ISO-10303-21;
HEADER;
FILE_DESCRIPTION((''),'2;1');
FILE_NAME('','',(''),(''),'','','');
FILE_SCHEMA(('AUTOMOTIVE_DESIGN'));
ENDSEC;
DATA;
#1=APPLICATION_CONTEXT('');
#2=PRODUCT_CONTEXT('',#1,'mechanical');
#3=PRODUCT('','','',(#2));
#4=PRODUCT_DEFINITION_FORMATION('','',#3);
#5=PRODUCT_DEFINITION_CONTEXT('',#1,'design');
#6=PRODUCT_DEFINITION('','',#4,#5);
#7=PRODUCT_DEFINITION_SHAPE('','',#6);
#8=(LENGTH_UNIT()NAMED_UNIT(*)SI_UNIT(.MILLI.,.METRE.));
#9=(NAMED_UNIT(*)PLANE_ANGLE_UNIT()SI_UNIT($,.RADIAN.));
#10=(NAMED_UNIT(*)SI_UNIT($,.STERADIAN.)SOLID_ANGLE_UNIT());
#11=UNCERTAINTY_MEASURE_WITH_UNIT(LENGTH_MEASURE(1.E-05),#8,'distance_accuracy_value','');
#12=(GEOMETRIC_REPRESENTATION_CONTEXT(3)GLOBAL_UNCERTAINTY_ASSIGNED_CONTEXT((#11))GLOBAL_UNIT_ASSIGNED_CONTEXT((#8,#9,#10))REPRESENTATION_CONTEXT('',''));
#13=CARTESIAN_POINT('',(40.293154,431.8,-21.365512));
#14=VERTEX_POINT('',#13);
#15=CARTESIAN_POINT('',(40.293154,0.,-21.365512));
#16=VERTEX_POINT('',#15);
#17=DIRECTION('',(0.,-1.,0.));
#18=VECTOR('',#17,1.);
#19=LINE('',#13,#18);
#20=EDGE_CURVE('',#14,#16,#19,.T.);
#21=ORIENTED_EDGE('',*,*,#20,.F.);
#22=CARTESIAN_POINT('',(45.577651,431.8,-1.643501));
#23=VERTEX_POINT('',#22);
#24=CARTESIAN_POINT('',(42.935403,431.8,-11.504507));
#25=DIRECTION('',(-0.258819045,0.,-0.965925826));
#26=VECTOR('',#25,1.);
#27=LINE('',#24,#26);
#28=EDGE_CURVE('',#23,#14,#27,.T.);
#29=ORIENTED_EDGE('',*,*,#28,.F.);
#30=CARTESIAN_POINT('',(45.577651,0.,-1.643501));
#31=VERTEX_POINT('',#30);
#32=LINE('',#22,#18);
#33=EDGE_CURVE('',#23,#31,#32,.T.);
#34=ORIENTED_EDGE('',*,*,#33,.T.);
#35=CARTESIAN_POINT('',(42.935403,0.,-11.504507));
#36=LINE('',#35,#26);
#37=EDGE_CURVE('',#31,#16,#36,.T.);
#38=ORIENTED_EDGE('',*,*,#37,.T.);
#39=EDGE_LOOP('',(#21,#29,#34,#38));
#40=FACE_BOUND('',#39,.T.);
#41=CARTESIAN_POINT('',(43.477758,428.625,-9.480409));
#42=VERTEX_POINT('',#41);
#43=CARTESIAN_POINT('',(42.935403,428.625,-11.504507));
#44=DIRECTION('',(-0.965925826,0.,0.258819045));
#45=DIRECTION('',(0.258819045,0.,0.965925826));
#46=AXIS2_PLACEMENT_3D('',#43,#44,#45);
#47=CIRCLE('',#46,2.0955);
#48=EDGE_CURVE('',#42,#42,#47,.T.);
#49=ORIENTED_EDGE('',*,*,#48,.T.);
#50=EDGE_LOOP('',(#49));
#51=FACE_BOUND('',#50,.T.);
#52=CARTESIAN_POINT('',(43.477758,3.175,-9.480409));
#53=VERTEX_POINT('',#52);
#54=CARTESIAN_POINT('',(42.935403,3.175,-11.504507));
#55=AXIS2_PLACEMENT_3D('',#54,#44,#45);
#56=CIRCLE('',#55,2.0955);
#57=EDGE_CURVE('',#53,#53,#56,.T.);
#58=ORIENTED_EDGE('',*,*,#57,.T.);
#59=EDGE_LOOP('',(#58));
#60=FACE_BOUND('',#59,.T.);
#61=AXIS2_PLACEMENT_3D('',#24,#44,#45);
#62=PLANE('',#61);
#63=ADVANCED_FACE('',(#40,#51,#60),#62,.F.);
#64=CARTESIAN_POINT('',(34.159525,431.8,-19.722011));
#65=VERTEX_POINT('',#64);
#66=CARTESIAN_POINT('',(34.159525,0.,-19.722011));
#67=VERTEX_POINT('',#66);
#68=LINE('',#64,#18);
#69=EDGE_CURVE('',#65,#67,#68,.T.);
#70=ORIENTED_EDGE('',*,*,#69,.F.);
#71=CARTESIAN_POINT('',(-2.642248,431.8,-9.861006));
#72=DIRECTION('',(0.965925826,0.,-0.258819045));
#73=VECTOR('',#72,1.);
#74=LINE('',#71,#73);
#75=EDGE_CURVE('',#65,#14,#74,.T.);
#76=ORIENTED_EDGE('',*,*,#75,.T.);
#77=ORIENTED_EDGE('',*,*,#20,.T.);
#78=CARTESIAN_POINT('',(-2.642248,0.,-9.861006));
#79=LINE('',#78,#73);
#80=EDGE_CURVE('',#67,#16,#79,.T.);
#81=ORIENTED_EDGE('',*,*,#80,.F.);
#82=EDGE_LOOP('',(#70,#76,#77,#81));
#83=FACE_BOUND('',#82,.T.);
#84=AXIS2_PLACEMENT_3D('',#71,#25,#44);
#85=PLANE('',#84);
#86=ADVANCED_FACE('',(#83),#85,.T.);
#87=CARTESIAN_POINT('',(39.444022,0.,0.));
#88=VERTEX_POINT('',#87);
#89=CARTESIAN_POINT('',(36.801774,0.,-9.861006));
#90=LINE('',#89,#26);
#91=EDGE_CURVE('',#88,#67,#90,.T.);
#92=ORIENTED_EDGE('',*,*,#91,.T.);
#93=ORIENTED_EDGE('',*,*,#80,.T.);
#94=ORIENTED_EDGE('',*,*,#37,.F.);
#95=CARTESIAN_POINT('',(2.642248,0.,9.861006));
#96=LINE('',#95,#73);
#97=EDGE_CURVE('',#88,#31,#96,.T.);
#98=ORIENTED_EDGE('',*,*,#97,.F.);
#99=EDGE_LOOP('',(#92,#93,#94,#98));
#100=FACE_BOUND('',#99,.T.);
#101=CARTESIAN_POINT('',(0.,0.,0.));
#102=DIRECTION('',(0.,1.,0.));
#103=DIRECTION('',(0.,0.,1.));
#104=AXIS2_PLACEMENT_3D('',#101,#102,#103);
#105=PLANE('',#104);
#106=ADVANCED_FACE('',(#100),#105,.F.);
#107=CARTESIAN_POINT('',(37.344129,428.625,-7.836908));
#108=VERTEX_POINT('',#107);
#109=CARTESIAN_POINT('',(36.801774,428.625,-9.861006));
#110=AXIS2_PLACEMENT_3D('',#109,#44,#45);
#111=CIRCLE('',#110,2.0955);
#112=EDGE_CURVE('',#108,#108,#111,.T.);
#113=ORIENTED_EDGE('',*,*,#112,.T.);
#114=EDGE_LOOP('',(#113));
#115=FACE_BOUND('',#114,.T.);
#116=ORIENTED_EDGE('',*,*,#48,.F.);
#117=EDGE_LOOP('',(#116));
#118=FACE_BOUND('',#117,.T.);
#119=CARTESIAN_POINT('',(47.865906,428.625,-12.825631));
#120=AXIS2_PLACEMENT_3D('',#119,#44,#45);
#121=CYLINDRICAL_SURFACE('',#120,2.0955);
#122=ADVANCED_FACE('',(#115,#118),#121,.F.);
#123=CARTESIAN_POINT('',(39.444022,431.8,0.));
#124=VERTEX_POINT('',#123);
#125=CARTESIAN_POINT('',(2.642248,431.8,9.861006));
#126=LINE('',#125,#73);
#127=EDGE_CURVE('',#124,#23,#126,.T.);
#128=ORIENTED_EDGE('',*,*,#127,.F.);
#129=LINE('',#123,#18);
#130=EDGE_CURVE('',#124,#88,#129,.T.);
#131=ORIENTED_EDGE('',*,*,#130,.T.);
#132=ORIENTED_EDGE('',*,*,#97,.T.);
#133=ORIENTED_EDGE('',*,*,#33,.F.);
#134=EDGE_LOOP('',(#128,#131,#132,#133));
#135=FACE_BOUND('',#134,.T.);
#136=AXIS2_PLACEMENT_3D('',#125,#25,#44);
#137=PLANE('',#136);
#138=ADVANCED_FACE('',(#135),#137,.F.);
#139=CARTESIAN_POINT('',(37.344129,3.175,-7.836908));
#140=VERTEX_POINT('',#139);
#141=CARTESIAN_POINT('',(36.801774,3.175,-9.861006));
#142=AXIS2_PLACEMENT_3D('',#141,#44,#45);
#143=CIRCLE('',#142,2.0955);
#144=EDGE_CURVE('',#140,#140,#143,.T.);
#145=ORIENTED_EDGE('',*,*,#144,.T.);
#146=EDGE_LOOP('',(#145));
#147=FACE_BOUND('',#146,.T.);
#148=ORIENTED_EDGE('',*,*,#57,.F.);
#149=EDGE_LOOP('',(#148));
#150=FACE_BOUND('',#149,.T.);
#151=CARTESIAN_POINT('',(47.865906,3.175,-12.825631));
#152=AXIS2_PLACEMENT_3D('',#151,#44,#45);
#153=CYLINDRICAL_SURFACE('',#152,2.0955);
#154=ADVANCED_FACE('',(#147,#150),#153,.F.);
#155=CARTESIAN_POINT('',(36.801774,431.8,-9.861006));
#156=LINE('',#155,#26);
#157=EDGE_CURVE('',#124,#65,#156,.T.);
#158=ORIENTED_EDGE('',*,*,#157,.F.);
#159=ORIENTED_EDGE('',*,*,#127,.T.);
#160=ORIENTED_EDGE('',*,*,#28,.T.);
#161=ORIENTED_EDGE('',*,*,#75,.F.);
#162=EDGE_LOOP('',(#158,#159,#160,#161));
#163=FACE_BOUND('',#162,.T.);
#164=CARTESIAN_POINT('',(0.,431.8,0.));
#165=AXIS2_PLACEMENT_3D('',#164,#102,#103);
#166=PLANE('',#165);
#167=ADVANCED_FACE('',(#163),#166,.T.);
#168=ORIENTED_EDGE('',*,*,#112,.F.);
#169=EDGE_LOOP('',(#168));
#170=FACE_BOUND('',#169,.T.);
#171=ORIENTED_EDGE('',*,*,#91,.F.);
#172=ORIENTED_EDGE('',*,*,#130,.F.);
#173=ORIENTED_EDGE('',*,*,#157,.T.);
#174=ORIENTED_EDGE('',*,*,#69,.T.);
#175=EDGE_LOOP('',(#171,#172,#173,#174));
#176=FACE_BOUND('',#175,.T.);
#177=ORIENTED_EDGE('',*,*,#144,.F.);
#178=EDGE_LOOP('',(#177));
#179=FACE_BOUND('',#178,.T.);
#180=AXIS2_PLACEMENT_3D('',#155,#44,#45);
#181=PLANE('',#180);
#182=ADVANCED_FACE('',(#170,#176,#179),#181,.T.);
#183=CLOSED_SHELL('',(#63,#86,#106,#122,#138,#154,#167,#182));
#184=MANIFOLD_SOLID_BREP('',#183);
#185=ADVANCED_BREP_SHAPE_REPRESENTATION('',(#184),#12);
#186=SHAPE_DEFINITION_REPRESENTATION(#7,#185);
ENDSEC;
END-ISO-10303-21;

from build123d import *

# Parameters (mm, degrees)
BOSS_EXTRUDE1_DEPTH = 431.8
SKETCH2_R           = 2.0955
CUT_EXTRUDE1_DEPTH  = 433.042370256
SKETCH3_R           = 2.0955
CUT_EXTRUDE2_DEPTH  = 433.042370256


with BuildPart() as part:
    # Sketch1 → Boss-Extrude1 (new body)
    with BuildSketch(Plane(origin=(0, 0, 0), x_dir=(1, 0, 0), z_dir=(0, 1, 0))):
        Polygon((39.444022474, 0), (45.577651471, 1.643500936), (40.293154487, 21.365512173), (34.15952549, 19.722011237), align=None)
    extrude(amount=BOSS_EXTRUDE1_DEPTH)

    # Sketch2 → Cut-Extrude1 (cut, through all)
    with BuildSketch(Plane(origin=(36.801773982, 0, -9.861005618), x_dir=(0.25881904510252096, 0, 0.9659258262890683), z_dir=(-0.9659258262890683, 0, 0.25881904510252096))):
        with Locations((0, 428.625)):
            Circle(SKETCH2_R)
    extrude(amount=-CUT_EXTRUDE1_DEPTH, mode=Mode.SUBTRACT)

    # Sketch3 → Cut-Extrude2 (cut, through all)
    with BuildSketch(Plane(origin=(36.801773982, 0, -9.861005618), x_dir=(0.25881904510252096, 0, 0.9659258262890683), z_dir=(-0.9659258262890683, 0, 0.25881904510252096))):
        with Locations((0, 3.175)):
            Circle(SKETCH3_R)
    extrude(amount=-CUT_EXTRUDE2_DEPTH, mode=Mode.SUBTRACT)


solid = part.part
